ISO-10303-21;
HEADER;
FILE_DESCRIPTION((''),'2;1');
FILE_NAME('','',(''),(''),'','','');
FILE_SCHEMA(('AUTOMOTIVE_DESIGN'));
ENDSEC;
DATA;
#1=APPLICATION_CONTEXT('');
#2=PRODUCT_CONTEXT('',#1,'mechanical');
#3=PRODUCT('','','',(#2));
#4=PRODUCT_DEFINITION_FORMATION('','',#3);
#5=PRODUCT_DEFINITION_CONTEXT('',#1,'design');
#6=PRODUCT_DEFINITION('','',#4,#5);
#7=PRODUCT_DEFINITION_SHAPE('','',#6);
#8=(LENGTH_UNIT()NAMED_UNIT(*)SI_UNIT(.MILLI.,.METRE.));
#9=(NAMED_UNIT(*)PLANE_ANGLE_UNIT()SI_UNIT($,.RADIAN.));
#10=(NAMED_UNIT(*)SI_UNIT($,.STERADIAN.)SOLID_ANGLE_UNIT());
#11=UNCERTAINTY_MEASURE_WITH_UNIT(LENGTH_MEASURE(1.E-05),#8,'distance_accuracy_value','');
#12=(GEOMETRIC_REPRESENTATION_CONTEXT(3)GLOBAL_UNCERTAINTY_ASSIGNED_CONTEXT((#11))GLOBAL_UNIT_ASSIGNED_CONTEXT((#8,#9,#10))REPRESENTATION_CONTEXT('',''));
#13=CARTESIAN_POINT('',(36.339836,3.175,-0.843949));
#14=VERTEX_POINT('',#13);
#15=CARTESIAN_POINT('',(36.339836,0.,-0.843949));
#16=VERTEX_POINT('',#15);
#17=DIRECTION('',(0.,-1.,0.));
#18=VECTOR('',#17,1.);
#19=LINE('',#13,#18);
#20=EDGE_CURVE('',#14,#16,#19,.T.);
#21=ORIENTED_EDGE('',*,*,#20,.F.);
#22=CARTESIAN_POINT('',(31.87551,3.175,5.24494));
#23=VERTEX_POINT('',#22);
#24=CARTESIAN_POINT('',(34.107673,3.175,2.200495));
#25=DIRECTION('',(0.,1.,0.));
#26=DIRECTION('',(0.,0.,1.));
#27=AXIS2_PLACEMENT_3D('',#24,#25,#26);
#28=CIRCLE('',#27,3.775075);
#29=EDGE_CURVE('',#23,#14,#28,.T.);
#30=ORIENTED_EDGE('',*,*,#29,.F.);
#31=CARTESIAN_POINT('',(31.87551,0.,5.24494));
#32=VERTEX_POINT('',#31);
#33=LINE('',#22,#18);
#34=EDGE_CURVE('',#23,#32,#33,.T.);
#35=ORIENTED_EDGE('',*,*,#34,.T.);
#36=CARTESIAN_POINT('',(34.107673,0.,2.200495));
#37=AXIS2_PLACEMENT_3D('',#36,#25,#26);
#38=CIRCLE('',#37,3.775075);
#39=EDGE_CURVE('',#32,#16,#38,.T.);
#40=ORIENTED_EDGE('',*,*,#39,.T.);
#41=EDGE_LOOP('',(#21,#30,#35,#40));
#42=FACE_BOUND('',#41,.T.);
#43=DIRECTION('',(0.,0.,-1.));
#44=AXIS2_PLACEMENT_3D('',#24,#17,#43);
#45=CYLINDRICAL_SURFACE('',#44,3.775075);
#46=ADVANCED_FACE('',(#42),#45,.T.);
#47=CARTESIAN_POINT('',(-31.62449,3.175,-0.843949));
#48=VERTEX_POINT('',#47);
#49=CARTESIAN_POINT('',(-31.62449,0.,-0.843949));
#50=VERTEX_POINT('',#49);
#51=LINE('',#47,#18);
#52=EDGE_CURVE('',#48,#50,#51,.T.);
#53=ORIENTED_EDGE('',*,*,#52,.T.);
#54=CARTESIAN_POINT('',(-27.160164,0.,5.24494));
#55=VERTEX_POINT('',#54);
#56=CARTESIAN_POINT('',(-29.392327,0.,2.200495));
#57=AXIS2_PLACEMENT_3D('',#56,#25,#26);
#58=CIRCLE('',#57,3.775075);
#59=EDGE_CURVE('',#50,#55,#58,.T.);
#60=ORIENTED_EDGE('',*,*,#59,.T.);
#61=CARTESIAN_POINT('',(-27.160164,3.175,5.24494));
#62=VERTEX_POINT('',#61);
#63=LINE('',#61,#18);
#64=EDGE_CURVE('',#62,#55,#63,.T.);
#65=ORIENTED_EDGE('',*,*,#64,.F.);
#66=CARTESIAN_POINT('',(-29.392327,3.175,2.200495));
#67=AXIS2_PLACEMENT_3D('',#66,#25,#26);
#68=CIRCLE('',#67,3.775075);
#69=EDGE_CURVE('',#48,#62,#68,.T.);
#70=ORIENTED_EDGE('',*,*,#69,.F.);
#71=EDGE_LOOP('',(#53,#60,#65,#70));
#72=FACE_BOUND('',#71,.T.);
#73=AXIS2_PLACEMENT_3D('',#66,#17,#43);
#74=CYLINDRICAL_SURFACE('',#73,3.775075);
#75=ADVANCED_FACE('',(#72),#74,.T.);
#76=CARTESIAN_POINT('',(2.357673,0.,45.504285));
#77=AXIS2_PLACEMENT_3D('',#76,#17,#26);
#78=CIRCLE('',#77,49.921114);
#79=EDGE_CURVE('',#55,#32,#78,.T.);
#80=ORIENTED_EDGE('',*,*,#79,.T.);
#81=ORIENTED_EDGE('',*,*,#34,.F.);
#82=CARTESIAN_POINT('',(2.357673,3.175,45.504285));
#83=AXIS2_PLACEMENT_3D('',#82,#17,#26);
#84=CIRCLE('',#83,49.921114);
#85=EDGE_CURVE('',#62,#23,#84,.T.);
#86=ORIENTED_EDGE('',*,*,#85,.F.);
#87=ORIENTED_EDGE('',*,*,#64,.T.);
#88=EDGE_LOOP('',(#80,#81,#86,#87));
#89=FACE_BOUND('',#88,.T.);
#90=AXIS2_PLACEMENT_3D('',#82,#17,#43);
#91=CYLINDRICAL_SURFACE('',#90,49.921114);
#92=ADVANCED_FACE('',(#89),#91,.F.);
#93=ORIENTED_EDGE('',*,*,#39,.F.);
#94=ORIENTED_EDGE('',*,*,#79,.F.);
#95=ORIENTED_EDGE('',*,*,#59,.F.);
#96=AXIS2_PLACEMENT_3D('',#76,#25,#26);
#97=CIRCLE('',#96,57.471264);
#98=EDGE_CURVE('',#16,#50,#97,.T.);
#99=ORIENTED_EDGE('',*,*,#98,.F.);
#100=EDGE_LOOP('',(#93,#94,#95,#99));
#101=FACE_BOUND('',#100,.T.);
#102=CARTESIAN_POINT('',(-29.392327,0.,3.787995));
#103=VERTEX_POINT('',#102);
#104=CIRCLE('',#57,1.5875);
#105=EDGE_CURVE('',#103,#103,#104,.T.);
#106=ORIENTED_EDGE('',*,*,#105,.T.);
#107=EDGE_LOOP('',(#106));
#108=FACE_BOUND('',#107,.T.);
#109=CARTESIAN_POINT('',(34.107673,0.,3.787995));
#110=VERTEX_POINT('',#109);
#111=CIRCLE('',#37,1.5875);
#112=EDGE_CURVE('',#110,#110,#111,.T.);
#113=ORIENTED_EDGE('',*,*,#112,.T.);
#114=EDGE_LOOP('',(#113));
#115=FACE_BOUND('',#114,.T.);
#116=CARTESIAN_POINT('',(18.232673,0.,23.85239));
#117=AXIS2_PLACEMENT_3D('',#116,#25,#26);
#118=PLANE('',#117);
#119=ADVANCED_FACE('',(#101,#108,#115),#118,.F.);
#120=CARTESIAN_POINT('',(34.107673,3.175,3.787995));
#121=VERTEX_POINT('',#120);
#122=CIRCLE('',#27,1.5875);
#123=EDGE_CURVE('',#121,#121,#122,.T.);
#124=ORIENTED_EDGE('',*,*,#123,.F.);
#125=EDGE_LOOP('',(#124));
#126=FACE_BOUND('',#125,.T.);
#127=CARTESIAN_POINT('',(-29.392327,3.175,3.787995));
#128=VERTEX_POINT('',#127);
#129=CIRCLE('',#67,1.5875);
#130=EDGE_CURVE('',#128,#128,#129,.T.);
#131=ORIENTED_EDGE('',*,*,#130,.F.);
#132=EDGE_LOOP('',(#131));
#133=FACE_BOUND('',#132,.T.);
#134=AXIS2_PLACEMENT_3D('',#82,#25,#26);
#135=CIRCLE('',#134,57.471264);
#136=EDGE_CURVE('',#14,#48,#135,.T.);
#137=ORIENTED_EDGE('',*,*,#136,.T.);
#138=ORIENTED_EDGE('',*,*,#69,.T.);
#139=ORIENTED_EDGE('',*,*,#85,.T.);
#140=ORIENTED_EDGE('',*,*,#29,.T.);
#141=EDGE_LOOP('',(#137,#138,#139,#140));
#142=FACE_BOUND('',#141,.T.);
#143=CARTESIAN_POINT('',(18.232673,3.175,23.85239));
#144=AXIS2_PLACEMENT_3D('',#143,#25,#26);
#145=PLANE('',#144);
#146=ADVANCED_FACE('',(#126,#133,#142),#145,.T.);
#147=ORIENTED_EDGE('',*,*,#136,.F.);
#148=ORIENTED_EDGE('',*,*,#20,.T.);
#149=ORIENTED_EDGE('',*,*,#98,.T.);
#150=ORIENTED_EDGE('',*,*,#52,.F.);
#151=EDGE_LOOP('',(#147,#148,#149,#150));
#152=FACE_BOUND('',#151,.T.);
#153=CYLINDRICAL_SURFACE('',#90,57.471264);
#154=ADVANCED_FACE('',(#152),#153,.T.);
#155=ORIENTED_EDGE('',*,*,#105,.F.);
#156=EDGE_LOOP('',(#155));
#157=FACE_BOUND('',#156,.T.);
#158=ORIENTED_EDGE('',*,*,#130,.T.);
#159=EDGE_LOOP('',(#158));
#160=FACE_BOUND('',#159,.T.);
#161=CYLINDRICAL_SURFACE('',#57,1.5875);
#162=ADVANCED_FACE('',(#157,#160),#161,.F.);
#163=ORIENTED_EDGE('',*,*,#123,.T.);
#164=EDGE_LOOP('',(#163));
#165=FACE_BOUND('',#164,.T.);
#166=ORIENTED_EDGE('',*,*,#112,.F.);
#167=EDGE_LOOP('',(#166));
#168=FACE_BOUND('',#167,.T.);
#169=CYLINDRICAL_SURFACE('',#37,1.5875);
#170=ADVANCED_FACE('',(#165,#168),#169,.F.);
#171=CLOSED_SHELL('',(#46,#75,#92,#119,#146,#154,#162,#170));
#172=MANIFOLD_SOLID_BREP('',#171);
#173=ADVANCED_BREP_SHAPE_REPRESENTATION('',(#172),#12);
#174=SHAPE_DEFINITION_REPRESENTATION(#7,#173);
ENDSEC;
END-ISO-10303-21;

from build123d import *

# Parameters (mm, degrees)
BOSS_EXTRUDE1_DEPTH = 3.175
SKETCH3_R           = 1.5875
CUT_EXTRUDE1_DEPTH  = 3.175


with BuildPart() as part:
    # Sketch2 → Boss-Extrude1 (new body)
    with BuildSketch(Plane(origin=(0, 0, 0), x_dir=(1, 0, 0), z_dir=(0, 1, 0))):
        with BuildLine():
            ThreePointArc((36.339836195, 0.843949489), (2.357673267, 11.966979488), (-31.62448966, 0.843949489))
            ThreePointArc((-31.62448966, 0.843949489), (-32.436771272, -4.432657977), (-27.160163805, -5.244939588))
            ThreePointArc((-27.160163805, -5.244939588), (2.357673267, 4.416828792), (31.87551034, -5.244939588))
            ThreePointArc((31.87551034, -5.244939588), (37.152117806, -4.432657977), (36.339836195, 0.843949489))
        make_face()
    extrude(amount=BOSS_EXTRUDE1_DEPTH)

    # Sketch3 → Cut-Extrude1 (cut)
    with BuildSketch(Plane(origin=(0, 3.175, 0), x_dir=(1, 0, 0), z_dir=(0, 1, 0))):
        with Locations((-29.392326733, -2.20049505)):
            Circle(SKETCH3_R)
        with Locations((34.107673267, -2.20049505)):
            Circle(SKETCH3_R)
    extrude(amount=-CUT_EXTRUDE1_DEPTH, mode=Mode.SUBTRACT)


solid = part.part
